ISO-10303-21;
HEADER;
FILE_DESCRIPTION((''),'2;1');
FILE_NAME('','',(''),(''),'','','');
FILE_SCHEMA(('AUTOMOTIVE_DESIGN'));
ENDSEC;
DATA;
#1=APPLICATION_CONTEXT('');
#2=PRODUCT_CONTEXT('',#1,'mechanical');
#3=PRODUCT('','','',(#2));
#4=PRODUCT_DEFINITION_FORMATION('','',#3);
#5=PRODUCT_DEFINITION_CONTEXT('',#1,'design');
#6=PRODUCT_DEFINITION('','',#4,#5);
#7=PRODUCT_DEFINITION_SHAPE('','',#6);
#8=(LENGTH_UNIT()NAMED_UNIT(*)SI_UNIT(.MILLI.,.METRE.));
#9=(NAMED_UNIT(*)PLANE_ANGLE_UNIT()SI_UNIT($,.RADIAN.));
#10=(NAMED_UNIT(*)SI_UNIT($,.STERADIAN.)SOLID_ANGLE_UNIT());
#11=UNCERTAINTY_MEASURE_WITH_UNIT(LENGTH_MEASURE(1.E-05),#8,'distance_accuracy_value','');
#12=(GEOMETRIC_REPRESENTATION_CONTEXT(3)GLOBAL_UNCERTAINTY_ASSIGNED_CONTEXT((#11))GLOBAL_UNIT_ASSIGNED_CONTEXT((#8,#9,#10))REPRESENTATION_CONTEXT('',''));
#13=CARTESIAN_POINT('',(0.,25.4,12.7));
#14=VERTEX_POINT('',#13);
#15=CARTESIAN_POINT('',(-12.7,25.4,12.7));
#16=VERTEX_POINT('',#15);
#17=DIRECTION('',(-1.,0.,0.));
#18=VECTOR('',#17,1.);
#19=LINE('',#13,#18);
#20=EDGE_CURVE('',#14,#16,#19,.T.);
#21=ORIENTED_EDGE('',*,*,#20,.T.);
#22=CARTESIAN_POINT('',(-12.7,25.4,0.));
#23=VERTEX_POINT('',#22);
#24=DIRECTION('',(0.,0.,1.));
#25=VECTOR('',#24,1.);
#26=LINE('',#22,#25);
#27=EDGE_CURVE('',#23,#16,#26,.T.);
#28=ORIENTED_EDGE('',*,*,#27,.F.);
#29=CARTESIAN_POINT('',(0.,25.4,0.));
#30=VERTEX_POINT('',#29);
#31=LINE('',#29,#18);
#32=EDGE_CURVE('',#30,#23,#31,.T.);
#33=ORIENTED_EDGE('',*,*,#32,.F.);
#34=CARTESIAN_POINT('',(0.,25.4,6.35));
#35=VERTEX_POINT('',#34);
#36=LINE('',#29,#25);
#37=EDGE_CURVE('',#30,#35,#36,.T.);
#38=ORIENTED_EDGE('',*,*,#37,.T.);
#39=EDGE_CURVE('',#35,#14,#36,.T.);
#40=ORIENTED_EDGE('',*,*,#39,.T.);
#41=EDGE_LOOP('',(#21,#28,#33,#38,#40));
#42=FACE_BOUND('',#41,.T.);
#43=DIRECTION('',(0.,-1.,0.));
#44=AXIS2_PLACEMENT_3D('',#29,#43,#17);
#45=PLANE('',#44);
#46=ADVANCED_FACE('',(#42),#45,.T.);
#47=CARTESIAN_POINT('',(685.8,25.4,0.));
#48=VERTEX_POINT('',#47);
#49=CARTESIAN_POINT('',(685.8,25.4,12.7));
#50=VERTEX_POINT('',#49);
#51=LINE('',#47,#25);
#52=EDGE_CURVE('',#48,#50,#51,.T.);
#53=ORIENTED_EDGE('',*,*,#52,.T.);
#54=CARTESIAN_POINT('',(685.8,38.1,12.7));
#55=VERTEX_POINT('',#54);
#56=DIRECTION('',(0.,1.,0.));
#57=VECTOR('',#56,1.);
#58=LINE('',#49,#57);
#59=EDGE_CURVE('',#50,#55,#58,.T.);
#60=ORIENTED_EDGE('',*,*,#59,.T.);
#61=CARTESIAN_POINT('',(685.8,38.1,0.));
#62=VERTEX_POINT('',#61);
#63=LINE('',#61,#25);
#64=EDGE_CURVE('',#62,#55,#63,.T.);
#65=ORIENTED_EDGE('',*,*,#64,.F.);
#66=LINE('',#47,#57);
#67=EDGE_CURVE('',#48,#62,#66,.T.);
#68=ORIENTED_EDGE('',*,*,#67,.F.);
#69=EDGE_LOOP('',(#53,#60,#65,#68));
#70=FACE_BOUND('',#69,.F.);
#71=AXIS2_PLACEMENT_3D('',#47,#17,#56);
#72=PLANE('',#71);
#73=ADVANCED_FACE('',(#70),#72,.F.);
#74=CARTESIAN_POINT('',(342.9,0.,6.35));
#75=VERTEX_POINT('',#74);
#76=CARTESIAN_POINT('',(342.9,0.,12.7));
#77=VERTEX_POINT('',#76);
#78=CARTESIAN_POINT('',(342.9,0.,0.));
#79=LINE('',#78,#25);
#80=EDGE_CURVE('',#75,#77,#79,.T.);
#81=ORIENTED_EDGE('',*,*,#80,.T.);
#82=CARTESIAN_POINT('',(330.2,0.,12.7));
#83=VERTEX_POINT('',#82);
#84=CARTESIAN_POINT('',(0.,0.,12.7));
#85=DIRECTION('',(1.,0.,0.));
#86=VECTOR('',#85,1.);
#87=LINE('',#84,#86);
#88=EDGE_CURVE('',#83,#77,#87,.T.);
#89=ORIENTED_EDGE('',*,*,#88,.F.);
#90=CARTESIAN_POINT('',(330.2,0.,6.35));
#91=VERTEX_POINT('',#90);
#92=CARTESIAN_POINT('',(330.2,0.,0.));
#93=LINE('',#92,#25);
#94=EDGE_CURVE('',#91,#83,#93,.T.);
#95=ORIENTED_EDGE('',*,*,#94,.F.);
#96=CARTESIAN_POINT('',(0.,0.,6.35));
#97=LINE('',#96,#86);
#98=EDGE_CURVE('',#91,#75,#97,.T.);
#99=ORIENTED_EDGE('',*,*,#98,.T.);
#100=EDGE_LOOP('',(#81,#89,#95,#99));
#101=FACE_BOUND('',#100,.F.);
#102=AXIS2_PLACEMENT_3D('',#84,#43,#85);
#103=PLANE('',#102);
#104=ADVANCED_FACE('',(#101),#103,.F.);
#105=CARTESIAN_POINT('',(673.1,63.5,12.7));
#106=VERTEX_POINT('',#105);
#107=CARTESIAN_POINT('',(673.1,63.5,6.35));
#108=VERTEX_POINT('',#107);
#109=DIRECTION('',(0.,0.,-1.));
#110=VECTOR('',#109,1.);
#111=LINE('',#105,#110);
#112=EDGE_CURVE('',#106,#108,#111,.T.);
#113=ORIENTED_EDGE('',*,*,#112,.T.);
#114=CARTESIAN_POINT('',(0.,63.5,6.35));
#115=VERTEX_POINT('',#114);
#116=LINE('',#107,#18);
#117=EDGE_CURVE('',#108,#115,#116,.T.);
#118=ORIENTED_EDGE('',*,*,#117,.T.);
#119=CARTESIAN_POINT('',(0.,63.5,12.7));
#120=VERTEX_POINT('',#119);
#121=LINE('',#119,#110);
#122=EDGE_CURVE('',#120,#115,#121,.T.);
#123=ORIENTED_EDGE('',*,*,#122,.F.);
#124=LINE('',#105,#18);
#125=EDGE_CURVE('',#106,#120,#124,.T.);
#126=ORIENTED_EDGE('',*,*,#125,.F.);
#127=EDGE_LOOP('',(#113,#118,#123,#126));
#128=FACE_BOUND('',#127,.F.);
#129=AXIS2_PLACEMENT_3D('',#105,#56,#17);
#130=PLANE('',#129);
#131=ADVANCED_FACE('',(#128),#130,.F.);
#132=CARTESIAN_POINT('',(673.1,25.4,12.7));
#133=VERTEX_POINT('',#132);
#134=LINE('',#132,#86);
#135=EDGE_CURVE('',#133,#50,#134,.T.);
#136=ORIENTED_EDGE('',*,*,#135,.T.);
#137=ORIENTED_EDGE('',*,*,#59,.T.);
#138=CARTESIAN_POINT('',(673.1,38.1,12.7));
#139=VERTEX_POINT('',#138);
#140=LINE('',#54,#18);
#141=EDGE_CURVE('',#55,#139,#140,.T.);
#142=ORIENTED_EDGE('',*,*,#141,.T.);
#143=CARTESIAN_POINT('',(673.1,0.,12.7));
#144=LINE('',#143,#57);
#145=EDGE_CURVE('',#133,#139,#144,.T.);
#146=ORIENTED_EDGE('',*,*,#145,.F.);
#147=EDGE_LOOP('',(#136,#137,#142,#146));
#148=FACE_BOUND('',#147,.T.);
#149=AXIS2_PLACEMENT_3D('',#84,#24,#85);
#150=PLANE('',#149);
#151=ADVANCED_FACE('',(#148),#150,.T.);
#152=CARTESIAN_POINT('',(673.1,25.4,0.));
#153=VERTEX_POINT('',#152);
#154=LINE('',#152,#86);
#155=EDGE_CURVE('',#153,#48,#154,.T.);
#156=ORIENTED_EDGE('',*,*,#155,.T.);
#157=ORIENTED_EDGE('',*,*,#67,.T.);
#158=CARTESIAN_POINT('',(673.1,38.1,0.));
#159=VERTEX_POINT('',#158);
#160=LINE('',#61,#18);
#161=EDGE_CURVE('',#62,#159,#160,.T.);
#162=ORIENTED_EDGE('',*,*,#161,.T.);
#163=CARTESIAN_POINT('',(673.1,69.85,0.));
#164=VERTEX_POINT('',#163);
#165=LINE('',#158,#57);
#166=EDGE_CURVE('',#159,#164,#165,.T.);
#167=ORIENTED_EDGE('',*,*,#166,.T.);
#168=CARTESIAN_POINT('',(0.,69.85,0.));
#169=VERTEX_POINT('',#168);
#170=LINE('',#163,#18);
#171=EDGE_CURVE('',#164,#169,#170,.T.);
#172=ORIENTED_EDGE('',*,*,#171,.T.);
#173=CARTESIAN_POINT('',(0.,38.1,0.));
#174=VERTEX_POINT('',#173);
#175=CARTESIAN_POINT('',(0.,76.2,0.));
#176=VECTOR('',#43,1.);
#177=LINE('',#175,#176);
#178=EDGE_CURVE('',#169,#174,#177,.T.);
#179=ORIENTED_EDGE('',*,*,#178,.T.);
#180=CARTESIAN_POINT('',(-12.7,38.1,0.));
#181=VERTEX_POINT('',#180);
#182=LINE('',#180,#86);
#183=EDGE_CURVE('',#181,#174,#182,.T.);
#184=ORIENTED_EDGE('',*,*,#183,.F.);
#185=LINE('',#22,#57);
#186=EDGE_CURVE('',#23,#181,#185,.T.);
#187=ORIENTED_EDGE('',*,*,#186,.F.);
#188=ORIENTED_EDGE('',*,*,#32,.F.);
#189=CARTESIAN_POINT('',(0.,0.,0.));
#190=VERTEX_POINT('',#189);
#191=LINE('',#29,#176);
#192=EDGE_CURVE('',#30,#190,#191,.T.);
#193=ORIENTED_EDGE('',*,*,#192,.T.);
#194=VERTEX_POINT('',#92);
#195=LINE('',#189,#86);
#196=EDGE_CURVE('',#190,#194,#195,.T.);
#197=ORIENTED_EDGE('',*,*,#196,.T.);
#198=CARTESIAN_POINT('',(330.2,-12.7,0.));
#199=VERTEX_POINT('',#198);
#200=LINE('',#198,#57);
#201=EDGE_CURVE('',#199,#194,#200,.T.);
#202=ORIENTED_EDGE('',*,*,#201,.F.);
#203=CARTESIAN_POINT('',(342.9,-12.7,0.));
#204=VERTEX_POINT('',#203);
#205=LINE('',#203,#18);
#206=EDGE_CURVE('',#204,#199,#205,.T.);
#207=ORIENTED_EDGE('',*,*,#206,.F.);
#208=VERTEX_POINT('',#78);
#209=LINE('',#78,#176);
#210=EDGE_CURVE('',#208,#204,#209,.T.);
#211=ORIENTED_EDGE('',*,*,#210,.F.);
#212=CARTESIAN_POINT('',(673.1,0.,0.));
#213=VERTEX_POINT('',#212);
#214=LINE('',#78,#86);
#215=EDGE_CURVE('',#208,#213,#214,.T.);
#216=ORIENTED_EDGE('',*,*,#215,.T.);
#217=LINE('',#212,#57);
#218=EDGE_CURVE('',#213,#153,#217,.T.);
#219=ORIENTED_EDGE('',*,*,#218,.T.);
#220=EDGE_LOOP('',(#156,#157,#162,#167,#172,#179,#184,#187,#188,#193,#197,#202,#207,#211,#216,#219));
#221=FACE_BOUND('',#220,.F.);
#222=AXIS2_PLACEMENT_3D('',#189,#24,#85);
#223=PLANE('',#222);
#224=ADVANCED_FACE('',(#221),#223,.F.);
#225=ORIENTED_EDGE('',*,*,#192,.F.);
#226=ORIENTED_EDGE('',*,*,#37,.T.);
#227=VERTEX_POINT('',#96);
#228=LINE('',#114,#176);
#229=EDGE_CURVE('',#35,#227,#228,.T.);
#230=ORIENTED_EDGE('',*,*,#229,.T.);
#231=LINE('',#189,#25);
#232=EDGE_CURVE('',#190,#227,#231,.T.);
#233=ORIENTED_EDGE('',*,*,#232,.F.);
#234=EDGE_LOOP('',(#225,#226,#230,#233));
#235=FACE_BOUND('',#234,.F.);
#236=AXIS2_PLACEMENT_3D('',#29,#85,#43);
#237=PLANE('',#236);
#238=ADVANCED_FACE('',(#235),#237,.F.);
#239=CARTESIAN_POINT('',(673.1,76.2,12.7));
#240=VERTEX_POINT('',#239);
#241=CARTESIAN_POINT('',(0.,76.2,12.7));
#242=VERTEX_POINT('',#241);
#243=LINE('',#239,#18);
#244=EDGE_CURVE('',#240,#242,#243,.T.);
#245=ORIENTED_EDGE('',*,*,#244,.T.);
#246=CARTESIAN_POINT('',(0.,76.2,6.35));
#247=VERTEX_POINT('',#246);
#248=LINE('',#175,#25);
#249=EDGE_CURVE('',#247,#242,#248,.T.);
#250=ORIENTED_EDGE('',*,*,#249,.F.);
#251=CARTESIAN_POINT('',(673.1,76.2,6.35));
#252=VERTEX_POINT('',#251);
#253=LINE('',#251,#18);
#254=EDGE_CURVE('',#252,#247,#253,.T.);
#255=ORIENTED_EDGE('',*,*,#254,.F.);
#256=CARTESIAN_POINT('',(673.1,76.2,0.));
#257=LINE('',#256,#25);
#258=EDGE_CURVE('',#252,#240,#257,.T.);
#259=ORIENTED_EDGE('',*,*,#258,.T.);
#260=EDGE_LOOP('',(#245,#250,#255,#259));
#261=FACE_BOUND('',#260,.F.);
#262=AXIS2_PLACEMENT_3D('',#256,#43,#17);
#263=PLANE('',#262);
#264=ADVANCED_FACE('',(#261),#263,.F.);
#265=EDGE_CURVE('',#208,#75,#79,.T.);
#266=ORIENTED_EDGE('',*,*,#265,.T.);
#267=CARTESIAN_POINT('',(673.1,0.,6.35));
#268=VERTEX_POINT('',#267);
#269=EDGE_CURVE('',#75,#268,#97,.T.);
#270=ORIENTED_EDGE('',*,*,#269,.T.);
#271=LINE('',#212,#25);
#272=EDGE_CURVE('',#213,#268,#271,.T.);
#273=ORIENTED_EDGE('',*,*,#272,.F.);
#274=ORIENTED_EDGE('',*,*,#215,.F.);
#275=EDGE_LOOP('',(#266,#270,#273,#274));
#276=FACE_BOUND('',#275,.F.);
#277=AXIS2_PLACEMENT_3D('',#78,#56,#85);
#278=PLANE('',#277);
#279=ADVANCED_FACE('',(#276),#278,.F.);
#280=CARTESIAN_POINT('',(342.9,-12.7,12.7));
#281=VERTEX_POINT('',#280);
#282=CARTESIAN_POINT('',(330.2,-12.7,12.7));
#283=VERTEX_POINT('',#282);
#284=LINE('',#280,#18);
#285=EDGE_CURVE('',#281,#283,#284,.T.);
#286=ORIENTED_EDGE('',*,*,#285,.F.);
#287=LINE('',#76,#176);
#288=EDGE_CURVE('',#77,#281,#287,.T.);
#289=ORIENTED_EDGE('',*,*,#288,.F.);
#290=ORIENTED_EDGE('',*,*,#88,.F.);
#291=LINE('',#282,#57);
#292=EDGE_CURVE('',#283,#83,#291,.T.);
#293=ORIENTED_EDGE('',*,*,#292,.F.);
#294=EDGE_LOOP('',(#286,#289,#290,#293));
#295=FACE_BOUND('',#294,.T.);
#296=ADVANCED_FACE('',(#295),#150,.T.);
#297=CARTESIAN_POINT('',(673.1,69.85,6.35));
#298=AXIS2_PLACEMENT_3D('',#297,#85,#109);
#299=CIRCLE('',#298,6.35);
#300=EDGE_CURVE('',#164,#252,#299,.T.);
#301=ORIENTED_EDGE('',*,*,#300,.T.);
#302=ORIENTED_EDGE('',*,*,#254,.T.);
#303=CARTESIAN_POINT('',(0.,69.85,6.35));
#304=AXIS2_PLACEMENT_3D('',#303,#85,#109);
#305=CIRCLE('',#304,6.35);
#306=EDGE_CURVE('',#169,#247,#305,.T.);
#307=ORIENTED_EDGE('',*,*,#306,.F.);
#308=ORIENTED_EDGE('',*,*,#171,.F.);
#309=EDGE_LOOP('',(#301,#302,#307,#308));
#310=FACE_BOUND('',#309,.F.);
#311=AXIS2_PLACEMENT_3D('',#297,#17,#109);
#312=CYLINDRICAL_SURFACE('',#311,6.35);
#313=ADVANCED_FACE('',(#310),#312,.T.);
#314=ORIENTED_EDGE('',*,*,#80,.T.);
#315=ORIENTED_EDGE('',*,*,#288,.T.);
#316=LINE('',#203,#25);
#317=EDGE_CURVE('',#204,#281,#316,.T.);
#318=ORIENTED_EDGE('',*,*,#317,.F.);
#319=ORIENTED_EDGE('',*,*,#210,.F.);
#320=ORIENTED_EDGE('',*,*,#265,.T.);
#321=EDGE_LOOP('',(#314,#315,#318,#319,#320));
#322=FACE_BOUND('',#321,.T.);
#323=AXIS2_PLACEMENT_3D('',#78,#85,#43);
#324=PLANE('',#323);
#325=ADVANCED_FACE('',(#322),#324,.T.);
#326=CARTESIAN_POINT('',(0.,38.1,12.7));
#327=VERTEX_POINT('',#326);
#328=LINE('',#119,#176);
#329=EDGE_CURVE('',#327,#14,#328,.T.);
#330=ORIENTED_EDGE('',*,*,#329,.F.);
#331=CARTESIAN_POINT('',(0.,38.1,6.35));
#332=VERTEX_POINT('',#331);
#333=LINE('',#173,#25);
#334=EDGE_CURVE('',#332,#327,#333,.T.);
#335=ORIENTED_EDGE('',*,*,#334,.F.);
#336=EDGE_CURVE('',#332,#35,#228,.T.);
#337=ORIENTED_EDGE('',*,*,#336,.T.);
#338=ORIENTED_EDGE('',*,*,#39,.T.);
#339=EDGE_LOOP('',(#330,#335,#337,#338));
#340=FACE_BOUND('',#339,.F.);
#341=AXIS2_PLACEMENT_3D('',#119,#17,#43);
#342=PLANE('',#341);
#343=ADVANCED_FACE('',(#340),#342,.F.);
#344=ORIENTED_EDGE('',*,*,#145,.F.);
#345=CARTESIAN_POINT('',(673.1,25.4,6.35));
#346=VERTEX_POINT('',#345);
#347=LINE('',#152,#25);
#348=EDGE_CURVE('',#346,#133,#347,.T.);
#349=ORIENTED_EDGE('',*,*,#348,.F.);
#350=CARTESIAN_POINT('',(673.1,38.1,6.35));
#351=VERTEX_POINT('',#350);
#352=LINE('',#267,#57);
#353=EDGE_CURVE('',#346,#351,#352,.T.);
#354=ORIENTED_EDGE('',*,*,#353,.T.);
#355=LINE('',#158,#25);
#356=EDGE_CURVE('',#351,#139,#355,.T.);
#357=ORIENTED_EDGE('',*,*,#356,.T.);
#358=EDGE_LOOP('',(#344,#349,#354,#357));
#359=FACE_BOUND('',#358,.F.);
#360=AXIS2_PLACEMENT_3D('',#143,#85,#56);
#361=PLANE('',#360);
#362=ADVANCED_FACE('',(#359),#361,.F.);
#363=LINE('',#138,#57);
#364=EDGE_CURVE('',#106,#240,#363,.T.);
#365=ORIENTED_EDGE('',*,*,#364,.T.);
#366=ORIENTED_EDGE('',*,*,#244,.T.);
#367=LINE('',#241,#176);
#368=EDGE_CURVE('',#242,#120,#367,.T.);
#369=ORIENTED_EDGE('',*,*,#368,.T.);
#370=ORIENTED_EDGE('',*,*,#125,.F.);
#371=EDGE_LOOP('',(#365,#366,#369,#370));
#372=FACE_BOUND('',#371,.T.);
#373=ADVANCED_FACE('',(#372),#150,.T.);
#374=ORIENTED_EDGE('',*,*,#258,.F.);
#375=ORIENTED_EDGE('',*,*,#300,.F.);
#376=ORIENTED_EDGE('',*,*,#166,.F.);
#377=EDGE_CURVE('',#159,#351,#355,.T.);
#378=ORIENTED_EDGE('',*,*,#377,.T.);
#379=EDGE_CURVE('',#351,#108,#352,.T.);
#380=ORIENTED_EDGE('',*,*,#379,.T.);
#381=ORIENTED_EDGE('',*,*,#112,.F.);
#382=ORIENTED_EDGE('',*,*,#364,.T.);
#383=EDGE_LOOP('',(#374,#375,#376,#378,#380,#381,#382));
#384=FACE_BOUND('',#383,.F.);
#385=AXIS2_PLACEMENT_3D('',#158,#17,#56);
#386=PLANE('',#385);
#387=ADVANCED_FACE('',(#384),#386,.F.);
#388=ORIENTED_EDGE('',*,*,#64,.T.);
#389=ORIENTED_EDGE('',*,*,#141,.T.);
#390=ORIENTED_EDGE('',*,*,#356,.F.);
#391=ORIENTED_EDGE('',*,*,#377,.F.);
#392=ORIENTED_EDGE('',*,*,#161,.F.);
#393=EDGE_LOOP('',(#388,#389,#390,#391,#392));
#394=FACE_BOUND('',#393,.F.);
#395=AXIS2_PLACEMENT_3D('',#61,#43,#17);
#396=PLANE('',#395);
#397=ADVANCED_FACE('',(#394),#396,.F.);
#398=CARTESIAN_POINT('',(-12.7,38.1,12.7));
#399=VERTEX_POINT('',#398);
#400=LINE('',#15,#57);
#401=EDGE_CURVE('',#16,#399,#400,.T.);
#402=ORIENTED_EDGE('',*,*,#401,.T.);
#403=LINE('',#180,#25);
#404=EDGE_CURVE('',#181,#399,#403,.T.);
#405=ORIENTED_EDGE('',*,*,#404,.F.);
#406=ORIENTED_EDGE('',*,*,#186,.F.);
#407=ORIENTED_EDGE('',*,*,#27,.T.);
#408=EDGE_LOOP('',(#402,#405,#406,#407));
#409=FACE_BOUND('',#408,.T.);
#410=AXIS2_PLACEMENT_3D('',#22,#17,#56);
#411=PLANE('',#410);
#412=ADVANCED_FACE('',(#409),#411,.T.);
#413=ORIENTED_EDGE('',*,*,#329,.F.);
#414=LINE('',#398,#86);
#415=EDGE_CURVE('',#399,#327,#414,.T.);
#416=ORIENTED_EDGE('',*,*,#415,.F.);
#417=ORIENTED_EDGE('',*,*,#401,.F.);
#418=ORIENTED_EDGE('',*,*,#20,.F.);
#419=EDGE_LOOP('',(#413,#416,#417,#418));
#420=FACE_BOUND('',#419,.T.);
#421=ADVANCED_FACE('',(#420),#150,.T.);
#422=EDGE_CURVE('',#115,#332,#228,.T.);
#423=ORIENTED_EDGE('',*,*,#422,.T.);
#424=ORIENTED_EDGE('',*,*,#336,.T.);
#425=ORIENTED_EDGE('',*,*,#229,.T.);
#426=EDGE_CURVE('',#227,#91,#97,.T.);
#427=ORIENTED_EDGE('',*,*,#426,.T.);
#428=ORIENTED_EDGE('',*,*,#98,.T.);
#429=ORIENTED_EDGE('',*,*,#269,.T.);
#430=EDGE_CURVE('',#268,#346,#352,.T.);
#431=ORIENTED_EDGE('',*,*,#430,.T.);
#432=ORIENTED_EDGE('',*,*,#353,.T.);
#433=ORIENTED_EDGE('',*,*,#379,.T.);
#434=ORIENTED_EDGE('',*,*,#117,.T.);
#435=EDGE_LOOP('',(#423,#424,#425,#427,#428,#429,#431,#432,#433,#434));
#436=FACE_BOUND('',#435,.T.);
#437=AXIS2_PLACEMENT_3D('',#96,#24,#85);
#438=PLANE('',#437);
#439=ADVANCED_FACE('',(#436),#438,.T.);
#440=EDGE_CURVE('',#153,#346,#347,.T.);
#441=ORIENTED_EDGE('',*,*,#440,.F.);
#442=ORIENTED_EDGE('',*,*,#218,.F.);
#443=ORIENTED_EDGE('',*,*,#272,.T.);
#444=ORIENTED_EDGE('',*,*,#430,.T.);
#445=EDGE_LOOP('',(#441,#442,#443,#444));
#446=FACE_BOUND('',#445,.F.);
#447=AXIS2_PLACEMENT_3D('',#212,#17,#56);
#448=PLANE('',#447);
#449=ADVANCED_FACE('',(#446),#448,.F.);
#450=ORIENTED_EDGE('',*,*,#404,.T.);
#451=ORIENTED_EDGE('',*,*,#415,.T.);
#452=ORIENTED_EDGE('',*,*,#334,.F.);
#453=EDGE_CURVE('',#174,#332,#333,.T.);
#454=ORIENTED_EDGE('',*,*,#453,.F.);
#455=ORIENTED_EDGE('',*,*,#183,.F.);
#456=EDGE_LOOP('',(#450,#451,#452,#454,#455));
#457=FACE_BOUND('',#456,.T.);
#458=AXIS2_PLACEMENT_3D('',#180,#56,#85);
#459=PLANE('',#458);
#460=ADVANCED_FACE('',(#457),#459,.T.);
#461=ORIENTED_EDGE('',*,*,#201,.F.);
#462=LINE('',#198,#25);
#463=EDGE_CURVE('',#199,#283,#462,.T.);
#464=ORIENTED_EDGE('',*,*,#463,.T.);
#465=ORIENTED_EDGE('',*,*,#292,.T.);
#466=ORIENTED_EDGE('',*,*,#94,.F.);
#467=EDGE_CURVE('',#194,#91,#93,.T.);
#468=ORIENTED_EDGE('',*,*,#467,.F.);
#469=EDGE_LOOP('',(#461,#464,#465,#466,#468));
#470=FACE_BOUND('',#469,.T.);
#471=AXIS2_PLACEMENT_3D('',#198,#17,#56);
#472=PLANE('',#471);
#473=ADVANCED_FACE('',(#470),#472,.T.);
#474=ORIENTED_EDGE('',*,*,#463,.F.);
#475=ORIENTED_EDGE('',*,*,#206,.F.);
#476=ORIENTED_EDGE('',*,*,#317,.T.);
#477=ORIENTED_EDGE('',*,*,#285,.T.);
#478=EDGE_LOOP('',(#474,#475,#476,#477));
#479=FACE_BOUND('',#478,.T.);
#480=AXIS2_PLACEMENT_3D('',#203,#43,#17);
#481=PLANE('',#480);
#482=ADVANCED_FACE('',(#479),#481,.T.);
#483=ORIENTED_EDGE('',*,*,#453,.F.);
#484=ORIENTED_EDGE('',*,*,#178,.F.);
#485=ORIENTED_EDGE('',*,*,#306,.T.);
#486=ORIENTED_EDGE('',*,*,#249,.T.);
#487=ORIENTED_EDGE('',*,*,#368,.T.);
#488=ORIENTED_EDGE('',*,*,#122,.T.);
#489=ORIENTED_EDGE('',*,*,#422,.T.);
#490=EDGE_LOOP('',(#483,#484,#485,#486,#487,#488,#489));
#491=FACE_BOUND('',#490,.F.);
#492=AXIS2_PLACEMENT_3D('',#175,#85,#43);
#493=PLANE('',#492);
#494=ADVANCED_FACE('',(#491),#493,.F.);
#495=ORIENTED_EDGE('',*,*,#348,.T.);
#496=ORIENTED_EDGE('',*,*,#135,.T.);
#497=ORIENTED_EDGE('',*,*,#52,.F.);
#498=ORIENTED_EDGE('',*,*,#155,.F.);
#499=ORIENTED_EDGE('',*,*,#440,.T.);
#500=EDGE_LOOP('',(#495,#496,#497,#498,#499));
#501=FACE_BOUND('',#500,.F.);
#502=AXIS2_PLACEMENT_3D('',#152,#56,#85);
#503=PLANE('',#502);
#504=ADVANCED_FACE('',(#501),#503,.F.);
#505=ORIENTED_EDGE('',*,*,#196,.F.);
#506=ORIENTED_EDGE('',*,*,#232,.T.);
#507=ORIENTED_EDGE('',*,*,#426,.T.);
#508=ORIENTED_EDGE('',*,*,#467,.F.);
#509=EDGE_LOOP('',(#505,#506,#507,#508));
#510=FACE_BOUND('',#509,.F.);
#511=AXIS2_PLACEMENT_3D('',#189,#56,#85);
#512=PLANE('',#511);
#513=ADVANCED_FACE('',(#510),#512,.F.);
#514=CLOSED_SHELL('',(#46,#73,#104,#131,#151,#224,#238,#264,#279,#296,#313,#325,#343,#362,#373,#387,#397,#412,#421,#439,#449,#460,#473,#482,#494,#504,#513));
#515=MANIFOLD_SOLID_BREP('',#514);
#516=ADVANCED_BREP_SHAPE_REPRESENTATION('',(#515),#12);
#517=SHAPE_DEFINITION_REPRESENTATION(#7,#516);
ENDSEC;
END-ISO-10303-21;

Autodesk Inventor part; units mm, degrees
ref_plane "YZ Plane" through (0, 0, 0) normal (1, 0, 0) x (0, 1, 0)
ref_plane "XZ Plane" through (0, 0, 0) normal (0, 1, 0) x (-1, 0, 0)
ref_plane "XY Plane" through (0, 0, 0) normal (0, 0, 1) x (1, 0, 0)
sketch "Sketch1" plane through (0, 0, 0) normal (0, 0, 1) x (1, 0, 0)
  line L0 (673.1, 76.2) -> (0, 76.2)
  line L1 (0, 25.4) -> (-12.7, 25.4)
  line L2 (-12.7, 25.4) -> (-12.7, 38.1)
  line L3 (-12.7, 38.1) -> (0, 38.1)
  line L4 (0, 76.2) -> (0, 38.1)
  line L5 (0, 25.4) -> (0, 0)
  line L6 (336.55, 12.7) -> (336.55, 76.2) construction
  line L7 (673.1, 25.4) -> (685.8, 25.4)
  line L8 (685.8, 25.4) -> (685.8, 38.1)
  line L9 (685.8, 38.1) -> (673.1, 38.1)
  line L10 (673.1, 0) -> (673.1, 25.4)
  line L11 (673.1, 38.1) -> (673.1, 76.2)
  line L12 (342.9, -12.7) -> (330.2, -12.7)
  line L13 (330.2, -12.7) -> (330.2, 0)
  line L14 (342.9, 0) -> (342.9, -12.7)
  line L15 (330.2, 0) -> (342.9, 0) construction
  line L16 (336.55, 0) -> (336.55, -12.7) construction
  line L17 (0, 0) -> (330.2, 0)
  line L18 (342.9, 0) -> (673.1, 0)
  point P0 (0, 34.925)
  point P1 (673.1, 34.925)
  dimension "d0" = 673.1
  dimension "d1" = 76.2
  dimension "d9" = 12.7
  dimension "d12" = 12.7
  dimension "d16" = 12.7
  dimension "d17" = 25.4
  dimension "d19" = 25.4
extrude "Extrusion1" add sketch "Sketch1" along normal blind 12.7
sketch "Sketch2" plane through (0, 0, 12.7) normal (0, 0, 1) x (1, 0, 0)
  line L0 (0, 0) -> (673.1, 0)
  line L1 (673.1, 0) -> (673.1, 63.5)
  line L2 (673.1, 63.5) -> (0, 63.5)
  line L3 (0, 63.5) -> (0, 0)
  dimension "d4" = 673.1
  dimension "d5" = 63.5
extrude "Extrusion2" cut sketch "Sketch2" against normal blind 6.35
fillet "Fillet1" radius 6.35 1 edges at (336.55, 76.2, 0)
equation "\"d19\" = d17"
properties part number "Arm Side" material "PVC-Piping"
